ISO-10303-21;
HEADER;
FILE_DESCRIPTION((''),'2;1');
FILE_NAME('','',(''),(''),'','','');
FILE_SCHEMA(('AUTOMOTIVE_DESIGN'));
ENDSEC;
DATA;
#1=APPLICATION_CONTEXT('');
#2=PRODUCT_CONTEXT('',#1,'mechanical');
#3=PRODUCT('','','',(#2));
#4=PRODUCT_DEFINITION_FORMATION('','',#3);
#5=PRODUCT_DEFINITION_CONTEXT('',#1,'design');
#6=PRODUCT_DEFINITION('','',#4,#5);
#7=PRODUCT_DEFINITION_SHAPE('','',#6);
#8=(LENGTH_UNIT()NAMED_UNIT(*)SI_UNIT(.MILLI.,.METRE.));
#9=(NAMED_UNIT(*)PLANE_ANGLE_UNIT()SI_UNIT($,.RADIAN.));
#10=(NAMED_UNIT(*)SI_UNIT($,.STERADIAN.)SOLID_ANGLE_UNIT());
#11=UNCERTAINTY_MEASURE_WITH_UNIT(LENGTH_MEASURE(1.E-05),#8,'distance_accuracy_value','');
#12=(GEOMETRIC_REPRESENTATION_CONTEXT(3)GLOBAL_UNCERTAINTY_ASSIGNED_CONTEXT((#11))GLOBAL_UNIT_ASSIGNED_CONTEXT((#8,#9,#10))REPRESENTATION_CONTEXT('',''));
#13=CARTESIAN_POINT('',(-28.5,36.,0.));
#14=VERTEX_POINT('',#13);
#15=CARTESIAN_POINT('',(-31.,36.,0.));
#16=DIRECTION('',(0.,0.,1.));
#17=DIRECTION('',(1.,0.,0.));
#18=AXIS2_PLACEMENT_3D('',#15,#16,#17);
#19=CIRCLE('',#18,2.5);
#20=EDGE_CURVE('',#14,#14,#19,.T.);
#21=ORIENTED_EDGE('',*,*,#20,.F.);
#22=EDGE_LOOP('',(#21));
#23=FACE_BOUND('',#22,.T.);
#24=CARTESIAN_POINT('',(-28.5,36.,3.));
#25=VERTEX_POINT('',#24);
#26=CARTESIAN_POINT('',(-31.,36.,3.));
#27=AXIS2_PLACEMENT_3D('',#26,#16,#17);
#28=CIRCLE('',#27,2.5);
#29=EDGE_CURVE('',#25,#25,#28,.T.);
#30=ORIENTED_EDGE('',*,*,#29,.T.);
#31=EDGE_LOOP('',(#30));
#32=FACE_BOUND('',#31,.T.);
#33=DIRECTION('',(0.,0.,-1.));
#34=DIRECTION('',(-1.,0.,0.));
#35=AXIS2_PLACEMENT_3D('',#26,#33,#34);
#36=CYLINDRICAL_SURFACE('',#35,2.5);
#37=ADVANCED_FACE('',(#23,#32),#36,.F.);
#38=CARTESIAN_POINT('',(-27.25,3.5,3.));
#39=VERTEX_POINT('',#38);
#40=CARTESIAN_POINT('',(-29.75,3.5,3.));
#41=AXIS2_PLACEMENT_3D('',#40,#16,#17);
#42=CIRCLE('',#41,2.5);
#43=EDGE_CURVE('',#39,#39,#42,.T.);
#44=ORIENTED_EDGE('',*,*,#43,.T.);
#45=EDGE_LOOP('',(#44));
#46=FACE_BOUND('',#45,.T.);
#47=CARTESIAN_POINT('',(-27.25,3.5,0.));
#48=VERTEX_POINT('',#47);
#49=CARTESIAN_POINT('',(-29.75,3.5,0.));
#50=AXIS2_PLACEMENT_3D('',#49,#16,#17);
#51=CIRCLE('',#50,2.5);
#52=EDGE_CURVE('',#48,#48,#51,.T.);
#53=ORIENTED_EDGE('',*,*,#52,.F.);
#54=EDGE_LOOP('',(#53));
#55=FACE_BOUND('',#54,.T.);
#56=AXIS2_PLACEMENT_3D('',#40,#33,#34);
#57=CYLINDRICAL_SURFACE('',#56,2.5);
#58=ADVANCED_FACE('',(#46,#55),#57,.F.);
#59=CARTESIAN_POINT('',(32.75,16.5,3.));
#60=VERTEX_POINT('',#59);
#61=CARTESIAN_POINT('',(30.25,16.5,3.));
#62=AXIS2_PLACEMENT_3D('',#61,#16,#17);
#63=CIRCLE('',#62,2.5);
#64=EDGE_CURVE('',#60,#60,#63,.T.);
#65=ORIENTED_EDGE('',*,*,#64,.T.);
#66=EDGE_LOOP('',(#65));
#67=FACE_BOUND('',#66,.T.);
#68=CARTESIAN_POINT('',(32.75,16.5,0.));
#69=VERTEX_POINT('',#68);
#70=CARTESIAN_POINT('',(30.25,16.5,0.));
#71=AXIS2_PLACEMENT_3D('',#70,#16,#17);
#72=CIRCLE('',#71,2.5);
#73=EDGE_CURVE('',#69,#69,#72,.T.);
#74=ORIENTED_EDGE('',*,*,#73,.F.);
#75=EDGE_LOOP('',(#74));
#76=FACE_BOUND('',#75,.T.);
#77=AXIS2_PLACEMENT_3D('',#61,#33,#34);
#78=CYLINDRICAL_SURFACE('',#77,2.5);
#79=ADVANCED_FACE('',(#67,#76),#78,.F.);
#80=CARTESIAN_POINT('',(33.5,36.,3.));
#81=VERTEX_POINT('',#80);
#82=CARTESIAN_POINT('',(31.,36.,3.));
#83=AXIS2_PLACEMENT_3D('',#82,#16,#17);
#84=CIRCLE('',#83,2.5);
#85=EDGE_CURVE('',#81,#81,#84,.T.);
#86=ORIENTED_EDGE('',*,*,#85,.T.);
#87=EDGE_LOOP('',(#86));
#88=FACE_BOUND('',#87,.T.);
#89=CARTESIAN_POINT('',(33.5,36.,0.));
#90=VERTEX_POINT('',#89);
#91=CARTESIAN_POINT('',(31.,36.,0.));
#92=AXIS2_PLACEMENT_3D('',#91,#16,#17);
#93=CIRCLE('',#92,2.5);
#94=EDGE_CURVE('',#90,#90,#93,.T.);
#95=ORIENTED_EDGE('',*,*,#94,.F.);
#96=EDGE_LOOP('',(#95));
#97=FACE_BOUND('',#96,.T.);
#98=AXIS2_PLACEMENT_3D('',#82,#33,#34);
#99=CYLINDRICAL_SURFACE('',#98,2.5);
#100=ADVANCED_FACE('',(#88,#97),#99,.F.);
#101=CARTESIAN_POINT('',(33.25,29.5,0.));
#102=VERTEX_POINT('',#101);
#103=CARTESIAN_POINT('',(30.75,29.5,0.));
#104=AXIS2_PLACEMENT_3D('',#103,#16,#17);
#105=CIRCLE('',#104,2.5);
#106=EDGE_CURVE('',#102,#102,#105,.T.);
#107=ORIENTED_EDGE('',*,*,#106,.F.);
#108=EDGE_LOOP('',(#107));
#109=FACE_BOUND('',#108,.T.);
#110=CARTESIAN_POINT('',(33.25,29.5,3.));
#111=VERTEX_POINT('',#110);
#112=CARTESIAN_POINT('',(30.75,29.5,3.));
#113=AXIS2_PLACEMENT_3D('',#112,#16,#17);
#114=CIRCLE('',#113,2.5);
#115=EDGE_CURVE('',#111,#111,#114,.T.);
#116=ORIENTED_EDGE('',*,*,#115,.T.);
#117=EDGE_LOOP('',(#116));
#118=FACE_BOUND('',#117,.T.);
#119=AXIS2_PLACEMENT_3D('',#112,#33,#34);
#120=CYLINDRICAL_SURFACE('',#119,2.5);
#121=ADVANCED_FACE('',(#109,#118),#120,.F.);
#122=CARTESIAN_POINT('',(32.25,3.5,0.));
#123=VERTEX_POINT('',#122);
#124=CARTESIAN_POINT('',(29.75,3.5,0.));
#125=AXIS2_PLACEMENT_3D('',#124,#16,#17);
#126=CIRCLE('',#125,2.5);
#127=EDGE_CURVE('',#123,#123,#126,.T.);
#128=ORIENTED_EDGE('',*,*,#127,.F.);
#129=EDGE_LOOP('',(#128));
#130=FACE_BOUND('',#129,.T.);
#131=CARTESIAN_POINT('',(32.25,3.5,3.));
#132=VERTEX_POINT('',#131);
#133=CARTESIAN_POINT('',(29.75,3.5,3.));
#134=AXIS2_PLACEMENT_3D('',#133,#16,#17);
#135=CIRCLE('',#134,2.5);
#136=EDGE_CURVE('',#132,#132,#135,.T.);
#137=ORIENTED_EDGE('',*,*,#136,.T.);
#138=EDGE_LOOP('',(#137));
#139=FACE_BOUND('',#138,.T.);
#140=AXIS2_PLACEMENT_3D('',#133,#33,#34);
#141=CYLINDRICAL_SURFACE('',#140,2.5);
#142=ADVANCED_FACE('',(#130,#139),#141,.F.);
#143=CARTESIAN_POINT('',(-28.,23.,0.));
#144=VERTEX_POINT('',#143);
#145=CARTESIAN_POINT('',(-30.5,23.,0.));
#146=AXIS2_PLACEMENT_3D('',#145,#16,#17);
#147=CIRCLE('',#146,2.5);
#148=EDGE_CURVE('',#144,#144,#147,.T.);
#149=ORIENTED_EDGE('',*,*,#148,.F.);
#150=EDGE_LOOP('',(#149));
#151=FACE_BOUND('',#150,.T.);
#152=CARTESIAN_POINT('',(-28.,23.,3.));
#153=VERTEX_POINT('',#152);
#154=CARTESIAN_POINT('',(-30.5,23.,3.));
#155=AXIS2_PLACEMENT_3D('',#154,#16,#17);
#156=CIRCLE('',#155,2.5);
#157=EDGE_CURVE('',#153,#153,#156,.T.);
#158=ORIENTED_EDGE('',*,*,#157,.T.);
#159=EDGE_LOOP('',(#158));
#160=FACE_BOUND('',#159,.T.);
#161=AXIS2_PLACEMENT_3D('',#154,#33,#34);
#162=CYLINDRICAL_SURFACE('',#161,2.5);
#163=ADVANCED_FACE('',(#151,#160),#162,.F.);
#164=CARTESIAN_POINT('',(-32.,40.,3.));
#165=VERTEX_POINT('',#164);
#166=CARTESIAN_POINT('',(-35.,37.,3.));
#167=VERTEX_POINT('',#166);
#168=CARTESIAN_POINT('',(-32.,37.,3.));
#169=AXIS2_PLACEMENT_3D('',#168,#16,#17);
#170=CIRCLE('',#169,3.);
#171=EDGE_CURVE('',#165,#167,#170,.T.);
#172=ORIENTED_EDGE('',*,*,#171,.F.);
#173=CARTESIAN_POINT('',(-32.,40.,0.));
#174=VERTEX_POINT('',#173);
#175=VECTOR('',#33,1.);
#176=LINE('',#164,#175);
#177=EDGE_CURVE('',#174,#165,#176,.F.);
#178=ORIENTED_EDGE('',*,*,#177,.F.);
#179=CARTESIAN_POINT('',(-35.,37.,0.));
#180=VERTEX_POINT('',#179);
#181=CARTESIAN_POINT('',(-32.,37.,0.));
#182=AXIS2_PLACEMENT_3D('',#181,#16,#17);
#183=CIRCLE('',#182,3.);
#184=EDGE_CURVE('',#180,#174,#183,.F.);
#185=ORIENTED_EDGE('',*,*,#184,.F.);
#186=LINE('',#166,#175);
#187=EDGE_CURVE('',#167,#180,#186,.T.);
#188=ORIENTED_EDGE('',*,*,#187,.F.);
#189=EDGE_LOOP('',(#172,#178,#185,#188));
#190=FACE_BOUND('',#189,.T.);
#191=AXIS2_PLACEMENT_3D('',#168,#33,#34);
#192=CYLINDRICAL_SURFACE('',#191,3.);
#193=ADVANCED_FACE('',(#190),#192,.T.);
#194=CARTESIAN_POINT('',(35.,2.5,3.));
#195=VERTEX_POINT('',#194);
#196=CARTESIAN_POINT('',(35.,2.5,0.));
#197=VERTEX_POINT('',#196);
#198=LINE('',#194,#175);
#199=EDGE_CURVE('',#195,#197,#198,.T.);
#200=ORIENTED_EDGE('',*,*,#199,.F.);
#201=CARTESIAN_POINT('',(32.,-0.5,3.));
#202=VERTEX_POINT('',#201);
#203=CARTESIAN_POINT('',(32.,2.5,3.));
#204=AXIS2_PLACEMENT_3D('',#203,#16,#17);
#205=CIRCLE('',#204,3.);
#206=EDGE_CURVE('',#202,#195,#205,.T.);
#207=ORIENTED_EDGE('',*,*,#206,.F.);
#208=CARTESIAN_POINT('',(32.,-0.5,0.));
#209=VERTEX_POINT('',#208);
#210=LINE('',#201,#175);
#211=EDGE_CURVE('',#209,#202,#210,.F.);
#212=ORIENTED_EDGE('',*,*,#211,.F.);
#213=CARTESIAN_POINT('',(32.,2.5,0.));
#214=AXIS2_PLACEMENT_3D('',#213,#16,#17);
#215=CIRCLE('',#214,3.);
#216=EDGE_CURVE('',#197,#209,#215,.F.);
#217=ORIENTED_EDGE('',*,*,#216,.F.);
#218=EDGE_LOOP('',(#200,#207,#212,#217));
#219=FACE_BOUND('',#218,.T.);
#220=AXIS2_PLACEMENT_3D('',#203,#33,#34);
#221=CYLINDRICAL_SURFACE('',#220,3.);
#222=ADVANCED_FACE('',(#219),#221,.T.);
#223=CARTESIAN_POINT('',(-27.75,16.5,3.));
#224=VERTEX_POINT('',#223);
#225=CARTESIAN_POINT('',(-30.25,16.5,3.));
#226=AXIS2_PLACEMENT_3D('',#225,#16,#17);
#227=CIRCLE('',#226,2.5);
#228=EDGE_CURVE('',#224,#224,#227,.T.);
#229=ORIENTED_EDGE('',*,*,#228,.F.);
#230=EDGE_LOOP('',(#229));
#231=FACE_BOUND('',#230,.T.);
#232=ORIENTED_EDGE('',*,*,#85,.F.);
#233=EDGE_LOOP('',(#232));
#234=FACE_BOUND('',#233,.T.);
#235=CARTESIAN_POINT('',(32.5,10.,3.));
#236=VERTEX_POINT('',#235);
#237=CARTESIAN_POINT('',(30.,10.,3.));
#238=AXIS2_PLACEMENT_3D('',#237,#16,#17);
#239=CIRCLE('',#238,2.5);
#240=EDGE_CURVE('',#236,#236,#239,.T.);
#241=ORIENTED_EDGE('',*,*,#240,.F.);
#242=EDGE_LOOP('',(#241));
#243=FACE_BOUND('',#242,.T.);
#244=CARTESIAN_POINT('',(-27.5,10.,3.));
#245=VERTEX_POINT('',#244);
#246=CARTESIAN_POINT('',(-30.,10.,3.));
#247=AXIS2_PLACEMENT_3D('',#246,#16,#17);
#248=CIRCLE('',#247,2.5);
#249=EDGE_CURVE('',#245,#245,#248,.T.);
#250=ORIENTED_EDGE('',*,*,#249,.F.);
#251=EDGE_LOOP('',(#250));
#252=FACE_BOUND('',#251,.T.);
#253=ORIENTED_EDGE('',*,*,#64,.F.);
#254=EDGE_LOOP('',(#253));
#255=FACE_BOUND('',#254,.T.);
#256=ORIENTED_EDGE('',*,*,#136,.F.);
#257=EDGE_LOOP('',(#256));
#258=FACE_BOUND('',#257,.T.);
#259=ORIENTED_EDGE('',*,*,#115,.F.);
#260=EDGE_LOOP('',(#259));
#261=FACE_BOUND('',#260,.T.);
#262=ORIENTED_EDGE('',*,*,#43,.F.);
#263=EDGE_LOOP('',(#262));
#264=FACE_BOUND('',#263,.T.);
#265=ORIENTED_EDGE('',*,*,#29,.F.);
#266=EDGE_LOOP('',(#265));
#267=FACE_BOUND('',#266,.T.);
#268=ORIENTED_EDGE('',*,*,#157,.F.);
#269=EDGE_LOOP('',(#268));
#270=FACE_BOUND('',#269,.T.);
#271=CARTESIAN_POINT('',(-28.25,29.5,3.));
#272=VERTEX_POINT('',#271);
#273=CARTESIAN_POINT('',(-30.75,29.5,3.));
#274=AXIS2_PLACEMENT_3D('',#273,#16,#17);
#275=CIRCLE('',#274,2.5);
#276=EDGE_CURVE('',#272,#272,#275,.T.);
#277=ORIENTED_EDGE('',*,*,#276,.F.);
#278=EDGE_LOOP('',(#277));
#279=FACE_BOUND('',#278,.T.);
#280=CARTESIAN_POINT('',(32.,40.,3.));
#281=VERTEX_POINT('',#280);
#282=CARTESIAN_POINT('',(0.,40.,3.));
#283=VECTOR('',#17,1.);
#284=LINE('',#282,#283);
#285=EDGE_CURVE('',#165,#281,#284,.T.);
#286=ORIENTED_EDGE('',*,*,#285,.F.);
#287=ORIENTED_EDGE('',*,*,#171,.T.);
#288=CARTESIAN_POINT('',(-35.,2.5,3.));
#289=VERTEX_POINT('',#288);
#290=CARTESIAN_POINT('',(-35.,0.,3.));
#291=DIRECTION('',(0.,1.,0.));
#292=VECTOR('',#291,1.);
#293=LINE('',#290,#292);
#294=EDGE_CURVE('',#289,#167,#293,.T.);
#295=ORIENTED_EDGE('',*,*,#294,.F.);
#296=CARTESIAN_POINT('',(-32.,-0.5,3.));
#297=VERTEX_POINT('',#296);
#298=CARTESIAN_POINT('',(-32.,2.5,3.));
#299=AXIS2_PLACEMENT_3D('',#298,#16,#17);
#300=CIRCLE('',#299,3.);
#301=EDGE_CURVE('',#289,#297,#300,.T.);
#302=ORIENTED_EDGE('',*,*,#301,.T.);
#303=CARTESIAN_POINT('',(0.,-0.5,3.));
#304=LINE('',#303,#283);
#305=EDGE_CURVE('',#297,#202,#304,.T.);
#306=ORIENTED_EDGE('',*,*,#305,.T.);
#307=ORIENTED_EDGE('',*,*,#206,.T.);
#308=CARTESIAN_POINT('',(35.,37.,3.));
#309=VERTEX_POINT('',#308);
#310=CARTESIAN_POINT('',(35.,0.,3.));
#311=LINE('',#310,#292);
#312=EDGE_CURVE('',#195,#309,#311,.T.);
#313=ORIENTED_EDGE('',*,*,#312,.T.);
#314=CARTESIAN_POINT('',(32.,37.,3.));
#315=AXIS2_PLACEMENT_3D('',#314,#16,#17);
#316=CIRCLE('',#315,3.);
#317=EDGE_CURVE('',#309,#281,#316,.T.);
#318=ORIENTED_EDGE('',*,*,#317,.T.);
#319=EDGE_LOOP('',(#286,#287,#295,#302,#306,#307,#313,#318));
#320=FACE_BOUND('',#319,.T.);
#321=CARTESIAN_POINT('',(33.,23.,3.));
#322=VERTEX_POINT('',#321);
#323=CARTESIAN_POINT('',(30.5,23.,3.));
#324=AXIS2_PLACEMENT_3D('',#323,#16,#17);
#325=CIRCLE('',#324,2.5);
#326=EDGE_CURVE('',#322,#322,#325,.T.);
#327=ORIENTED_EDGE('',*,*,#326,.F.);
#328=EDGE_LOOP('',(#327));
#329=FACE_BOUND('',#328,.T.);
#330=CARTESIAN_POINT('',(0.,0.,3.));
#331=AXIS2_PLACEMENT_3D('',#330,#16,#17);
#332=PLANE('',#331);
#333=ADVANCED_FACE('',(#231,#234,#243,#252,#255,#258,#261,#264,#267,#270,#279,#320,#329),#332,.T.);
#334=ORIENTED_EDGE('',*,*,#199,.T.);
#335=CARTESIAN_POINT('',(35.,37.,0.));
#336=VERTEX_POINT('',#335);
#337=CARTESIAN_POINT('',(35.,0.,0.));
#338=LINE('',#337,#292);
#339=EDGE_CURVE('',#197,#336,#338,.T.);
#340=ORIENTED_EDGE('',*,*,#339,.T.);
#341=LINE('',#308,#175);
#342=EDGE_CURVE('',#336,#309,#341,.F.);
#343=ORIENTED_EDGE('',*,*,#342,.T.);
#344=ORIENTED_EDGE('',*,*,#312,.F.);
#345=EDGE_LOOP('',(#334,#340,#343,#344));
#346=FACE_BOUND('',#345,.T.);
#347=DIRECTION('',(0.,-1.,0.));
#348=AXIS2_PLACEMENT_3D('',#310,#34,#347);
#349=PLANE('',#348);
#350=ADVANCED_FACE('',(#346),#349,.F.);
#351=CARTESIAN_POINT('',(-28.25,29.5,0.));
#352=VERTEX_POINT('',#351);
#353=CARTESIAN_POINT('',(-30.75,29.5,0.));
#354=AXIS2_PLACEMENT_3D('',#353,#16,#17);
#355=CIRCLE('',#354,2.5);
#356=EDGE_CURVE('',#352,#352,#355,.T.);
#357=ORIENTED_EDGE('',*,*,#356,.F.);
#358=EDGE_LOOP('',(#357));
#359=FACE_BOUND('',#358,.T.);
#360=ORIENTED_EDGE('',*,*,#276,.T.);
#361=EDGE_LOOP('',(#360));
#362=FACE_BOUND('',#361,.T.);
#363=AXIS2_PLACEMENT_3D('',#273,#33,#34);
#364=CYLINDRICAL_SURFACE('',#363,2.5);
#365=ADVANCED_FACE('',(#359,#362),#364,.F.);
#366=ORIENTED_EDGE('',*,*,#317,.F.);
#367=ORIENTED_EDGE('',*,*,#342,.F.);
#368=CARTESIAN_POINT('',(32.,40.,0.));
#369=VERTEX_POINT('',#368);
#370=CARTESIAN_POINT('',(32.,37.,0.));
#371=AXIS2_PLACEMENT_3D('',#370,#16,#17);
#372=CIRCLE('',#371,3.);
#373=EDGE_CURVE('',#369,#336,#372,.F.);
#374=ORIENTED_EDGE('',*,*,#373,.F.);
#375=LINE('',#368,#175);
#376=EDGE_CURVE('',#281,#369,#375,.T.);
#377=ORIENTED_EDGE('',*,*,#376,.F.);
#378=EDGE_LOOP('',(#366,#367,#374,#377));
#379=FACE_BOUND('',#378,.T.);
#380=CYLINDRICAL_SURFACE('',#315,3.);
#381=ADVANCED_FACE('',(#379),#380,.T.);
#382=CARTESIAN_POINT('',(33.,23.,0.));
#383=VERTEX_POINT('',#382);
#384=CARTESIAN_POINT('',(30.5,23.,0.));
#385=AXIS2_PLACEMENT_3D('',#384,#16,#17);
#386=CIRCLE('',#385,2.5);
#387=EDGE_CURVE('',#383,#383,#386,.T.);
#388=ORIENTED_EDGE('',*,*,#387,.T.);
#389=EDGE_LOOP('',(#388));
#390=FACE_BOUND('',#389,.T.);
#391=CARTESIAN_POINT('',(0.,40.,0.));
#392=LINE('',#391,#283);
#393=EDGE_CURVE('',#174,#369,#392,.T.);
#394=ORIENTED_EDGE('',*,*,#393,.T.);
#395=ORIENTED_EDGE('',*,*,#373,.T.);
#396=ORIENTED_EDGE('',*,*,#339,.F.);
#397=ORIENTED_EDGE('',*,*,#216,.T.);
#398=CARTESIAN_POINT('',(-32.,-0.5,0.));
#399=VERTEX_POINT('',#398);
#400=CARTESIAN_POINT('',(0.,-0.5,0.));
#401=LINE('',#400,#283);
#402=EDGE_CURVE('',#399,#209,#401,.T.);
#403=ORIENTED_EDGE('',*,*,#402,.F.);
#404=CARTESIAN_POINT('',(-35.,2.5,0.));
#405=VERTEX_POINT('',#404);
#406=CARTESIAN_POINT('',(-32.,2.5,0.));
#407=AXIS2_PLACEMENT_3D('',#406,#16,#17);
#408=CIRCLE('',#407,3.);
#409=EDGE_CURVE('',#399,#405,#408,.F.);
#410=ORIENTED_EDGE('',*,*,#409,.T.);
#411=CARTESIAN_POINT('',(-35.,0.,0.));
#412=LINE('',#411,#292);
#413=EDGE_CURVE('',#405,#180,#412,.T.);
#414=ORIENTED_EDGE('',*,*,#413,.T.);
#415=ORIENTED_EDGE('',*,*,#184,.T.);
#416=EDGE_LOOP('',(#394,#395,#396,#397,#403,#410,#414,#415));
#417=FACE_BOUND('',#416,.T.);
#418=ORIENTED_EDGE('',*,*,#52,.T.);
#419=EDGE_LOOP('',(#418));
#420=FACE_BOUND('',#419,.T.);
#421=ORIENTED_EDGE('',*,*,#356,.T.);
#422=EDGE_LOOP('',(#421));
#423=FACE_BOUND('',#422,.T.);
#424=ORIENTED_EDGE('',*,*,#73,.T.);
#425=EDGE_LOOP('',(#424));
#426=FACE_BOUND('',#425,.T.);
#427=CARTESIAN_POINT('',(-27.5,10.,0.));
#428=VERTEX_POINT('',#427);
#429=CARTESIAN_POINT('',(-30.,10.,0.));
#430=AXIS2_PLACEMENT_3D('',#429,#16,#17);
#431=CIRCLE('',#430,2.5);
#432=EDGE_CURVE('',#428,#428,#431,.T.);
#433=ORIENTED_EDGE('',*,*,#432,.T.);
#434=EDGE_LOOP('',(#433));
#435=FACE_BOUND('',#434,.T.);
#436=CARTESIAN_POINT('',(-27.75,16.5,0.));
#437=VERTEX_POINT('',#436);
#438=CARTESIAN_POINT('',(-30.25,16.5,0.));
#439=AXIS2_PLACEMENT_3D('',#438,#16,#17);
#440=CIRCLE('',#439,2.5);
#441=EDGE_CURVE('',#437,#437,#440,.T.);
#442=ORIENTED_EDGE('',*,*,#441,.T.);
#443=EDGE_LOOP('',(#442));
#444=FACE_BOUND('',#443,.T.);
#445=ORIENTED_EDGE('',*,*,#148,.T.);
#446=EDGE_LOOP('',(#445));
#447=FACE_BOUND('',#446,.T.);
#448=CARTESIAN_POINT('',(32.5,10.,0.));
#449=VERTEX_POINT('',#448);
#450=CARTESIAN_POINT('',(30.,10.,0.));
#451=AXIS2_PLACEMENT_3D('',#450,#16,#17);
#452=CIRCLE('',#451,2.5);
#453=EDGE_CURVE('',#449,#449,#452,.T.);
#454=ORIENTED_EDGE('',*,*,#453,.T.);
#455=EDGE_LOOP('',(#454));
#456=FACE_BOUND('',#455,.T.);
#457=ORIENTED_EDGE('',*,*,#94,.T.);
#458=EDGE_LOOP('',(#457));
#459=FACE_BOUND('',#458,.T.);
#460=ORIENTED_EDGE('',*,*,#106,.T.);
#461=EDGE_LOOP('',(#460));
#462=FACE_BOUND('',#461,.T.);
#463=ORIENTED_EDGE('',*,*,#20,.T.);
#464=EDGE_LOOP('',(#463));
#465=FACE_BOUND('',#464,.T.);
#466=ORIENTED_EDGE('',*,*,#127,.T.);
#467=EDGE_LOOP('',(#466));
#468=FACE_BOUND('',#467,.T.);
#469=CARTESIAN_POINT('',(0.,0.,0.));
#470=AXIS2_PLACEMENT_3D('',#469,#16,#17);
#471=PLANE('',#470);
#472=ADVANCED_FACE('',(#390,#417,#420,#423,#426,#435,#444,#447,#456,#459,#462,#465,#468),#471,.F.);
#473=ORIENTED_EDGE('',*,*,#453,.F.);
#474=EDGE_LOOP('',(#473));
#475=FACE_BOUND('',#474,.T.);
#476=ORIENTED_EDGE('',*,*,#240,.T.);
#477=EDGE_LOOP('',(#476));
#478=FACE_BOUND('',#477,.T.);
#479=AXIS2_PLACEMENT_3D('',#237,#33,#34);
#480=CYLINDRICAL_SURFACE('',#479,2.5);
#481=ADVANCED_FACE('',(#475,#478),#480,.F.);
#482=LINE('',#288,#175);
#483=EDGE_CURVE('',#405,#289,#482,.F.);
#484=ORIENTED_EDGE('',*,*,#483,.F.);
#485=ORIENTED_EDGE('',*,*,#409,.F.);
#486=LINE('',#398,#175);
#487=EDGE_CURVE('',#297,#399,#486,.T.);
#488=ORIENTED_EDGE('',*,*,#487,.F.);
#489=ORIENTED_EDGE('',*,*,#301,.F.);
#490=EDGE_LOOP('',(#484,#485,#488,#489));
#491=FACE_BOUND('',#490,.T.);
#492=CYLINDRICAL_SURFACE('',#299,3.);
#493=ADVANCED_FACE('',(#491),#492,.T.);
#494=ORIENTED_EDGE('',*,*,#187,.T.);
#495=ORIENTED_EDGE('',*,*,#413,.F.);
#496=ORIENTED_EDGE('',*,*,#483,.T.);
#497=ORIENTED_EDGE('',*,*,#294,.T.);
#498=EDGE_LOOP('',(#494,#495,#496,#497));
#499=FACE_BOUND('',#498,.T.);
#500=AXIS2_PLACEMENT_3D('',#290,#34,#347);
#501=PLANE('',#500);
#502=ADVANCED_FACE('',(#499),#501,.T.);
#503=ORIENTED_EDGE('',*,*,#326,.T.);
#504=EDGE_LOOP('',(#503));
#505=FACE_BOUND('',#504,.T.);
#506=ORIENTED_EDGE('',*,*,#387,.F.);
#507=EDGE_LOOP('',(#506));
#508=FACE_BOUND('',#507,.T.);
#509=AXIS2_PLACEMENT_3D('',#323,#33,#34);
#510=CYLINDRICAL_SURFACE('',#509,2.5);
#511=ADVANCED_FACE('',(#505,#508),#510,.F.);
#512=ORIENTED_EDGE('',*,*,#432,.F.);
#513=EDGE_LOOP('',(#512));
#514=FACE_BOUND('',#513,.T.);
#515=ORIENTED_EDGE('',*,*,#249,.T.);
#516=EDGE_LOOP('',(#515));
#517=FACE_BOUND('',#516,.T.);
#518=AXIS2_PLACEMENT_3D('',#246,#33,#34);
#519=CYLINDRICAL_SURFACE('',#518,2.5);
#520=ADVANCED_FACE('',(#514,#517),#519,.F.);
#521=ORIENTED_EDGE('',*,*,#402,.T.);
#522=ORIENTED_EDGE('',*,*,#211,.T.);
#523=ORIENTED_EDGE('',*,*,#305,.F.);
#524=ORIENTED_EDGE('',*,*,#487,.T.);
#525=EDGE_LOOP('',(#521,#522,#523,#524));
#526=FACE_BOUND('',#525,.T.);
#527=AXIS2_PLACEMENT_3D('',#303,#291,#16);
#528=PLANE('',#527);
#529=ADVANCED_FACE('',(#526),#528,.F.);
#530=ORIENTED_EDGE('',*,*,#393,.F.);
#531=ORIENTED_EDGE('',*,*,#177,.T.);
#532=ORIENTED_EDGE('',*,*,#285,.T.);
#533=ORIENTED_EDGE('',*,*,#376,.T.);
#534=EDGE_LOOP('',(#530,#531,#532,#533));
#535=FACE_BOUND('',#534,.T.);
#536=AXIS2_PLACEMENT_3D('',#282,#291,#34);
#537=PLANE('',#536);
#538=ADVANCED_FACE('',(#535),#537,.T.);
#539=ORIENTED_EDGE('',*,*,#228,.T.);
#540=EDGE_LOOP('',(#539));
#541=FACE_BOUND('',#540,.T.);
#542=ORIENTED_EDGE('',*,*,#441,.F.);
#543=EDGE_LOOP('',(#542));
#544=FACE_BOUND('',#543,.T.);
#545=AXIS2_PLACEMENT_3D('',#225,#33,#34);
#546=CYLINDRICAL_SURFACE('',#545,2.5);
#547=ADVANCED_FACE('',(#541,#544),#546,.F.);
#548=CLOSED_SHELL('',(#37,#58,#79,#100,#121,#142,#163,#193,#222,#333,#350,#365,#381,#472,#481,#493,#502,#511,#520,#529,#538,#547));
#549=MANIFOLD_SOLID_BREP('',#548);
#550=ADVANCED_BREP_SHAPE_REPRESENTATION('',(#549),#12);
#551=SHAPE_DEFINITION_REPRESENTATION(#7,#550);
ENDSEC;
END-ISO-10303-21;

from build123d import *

# Parameters (mm, degrees)
SKETCH1_W           = 70
SKETCH1_H           = 40.5
SKETCH1_R           = 2.5
BOSS_EXTRUDE1_DEPTH = 3
FILLET1_R           = 3


with BuildPart() as part:
    # Sketch1 → Boss-Extrude1 (new body)
    with BuildSketch(Plane.XY):
        with Locations((0, 19.75)):
            Rectangle(SKETCH1_W, SKETCH1_H)
        with Locations((-29.75, 3.5)):
            Circle(SKETCH1_R, mode=Mode.SUBTRACT)
        with Locations((-30, 10)):
            Circle(SKETCH1_R, mode=Mode.SUBTRACT)
        with Locations((-30.25, 16.5)):
            Circle(SKETCH1_R, mode=Mode.SUBTRACT)
        with Locations((-30.5, 23)):
            Circle(SKETCH1_R, mode=Mode.SUBTRACT)
        with Locations((-30.75, 29.5)):
            Circle(SKETCH1_R, mode=Mode.SUBTRACT)
        with Locations((-31, 36)):
            Circle(SKETCH1_R, mode=Mode.SUBTRACT)
        with Locations((29.75, 3.5)):
            Circle(SKETCH1_R, mode=Mode.SUBTRACT)
        with Locations((30, 10)):
            Circle(SKETCH1_R, mode=Mode.SUBTRACT)
        with Locations((30.25, 16.5)):
            Circle(SKETCH1_R, mode=Mode.SUBTRACT)
        with Locations((30.5, 23)):
            Circle(SKETCH1_R, mode=Mode.SUBTRACT)
        with Locations((30.75, 29.5)):
            Circle(SKETCH1_R, mode=Mode.SUBTRACT)
        with Locations((31, 36)):
            Circle(SKETCH1_R, mode=Mode.SUBTRACT)
    extrude(amount=BOSS_EXTRUDE1_DEPTH)

    # Fillet1
    fillet1_edges = [part.edges().sort_by_distance(p)[0] for p in [
        (-35, 40, 1.5),
        (35, 40, 1.5),
        (35, -0.5, 1.5),
        (-35, -0.5, 1.5),
    ]]
    fillet(fillet1_edges, radius=FILLET1_R)


solid = part.part
